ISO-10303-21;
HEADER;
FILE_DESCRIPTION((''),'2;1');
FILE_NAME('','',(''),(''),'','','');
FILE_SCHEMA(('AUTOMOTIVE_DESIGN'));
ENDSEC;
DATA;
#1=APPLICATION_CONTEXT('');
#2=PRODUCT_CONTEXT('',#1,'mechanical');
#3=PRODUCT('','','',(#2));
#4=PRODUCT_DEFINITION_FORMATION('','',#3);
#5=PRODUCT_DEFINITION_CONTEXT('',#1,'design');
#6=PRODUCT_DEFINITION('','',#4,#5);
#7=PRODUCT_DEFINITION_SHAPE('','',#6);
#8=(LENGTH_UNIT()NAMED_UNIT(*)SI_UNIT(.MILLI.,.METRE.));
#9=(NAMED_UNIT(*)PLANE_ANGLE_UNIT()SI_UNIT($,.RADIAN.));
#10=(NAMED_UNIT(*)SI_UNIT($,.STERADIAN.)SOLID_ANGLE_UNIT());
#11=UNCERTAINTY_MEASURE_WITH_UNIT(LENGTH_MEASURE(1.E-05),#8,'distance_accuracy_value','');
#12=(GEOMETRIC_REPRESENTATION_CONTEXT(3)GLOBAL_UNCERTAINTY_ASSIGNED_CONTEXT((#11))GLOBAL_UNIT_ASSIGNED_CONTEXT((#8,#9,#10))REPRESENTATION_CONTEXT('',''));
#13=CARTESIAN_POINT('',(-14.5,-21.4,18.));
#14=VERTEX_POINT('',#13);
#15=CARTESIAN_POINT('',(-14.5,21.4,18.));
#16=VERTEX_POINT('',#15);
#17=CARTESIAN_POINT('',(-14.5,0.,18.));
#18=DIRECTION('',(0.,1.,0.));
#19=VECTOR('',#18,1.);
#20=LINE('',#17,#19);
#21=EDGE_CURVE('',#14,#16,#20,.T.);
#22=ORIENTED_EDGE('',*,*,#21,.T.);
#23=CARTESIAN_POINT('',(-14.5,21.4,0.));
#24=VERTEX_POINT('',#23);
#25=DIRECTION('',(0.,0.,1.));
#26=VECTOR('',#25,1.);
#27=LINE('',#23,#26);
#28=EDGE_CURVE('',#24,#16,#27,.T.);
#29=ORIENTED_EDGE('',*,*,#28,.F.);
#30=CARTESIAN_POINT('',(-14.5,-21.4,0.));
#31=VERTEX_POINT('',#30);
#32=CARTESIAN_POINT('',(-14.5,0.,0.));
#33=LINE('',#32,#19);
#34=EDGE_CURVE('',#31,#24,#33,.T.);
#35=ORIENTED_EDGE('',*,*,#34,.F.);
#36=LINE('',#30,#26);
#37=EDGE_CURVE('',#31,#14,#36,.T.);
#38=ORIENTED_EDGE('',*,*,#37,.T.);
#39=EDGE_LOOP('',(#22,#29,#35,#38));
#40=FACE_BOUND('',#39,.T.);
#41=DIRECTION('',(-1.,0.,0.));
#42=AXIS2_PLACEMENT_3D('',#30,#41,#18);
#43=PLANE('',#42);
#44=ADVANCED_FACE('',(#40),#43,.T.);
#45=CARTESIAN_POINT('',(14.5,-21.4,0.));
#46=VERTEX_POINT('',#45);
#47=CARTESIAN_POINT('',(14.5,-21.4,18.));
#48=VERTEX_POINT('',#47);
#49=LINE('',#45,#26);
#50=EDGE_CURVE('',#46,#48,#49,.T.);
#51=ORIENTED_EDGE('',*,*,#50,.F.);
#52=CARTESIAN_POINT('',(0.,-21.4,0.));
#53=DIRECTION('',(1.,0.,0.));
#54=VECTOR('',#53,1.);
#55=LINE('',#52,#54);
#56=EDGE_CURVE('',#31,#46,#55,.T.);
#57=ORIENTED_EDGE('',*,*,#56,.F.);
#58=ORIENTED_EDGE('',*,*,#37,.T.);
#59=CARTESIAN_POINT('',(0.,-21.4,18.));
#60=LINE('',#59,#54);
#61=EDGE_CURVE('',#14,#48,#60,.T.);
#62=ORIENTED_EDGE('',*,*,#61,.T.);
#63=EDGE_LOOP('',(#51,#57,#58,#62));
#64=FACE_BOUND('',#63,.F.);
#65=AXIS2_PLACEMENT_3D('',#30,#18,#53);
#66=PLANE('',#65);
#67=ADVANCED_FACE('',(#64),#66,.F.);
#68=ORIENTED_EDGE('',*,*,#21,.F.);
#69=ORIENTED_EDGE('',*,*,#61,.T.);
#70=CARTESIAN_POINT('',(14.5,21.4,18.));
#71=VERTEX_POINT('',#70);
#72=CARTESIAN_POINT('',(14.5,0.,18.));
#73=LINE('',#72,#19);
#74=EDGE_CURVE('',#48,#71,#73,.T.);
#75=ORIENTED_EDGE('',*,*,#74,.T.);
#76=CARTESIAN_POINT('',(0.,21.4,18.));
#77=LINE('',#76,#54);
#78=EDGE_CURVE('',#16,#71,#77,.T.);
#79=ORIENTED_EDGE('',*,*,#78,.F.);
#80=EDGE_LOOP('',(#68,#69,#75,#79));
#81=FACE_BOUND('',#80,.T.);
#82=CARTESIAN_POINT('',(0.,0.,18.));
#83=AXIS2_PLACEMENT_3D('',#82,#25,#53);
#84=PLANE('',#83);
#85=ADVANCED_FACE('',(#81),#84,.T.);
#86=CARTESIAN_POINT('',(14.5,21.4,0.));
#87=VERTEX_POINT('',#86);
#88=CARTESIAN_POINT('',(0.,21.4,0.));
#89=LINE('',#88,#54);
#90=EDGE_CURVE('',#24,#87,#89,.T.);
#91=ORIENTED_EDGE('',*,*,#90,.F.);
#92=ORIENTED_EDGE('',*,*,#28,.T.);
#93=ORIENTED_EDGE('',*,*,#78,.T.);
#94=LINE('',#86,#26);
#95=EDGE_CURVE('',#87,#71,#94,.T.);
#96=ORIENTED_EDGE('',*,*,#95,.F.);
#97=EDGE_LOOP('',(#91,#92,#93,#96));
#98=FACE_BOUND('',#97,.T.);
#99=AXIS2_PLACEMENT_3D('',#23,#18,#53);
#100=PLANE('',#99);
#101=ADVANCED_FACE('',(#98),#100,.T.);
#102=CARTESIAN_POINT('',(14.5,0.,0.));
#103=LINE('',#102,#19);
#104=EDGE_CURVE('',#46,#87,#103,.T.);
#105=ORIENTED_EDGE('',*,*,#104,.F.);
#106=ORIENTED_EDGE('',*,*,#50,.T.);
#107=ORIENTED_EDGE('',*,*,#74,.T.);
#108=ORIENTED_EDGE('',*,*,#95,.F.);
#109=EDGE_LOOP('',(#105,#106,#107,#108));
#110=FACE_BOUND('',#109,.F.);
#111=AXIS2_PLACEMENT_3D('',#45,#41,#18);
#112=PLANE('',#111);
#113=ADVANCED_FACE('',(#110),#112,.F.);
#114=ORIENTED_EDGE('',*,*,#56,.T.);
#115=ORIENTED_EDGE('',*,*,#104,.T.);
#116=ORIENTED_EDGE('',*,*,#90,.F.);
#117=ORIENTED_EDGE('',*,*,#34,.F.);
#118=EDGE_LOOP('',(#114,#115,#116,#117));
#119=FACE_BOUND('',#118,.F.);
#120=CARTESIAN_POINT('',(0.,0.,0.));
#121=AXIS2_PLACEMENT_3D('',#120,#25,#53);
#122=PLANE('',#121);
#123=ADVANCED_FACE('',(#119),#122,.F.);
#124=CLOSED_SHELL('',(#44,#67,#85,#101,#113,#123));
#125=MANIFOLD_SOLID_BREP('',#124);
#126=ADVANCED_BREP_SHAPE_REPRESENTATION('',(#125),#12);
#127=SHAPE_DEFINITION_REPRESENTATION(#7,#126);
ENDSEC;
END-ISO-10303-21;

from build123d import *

# Parameters (mm, degrees)
SKETCH002_W = 29
SKETCH002_H = 42.8
PAD_DEPTH   = 18


with BuildPart() as part:
    # Sketch002 → Pad (new body)
    with BuildSketch(Plane.XY):
        Rectangle(SKETCH002_W, SKETCH002_H)
    extrude(amount=PAD_DEPTH)


solid = part.part
